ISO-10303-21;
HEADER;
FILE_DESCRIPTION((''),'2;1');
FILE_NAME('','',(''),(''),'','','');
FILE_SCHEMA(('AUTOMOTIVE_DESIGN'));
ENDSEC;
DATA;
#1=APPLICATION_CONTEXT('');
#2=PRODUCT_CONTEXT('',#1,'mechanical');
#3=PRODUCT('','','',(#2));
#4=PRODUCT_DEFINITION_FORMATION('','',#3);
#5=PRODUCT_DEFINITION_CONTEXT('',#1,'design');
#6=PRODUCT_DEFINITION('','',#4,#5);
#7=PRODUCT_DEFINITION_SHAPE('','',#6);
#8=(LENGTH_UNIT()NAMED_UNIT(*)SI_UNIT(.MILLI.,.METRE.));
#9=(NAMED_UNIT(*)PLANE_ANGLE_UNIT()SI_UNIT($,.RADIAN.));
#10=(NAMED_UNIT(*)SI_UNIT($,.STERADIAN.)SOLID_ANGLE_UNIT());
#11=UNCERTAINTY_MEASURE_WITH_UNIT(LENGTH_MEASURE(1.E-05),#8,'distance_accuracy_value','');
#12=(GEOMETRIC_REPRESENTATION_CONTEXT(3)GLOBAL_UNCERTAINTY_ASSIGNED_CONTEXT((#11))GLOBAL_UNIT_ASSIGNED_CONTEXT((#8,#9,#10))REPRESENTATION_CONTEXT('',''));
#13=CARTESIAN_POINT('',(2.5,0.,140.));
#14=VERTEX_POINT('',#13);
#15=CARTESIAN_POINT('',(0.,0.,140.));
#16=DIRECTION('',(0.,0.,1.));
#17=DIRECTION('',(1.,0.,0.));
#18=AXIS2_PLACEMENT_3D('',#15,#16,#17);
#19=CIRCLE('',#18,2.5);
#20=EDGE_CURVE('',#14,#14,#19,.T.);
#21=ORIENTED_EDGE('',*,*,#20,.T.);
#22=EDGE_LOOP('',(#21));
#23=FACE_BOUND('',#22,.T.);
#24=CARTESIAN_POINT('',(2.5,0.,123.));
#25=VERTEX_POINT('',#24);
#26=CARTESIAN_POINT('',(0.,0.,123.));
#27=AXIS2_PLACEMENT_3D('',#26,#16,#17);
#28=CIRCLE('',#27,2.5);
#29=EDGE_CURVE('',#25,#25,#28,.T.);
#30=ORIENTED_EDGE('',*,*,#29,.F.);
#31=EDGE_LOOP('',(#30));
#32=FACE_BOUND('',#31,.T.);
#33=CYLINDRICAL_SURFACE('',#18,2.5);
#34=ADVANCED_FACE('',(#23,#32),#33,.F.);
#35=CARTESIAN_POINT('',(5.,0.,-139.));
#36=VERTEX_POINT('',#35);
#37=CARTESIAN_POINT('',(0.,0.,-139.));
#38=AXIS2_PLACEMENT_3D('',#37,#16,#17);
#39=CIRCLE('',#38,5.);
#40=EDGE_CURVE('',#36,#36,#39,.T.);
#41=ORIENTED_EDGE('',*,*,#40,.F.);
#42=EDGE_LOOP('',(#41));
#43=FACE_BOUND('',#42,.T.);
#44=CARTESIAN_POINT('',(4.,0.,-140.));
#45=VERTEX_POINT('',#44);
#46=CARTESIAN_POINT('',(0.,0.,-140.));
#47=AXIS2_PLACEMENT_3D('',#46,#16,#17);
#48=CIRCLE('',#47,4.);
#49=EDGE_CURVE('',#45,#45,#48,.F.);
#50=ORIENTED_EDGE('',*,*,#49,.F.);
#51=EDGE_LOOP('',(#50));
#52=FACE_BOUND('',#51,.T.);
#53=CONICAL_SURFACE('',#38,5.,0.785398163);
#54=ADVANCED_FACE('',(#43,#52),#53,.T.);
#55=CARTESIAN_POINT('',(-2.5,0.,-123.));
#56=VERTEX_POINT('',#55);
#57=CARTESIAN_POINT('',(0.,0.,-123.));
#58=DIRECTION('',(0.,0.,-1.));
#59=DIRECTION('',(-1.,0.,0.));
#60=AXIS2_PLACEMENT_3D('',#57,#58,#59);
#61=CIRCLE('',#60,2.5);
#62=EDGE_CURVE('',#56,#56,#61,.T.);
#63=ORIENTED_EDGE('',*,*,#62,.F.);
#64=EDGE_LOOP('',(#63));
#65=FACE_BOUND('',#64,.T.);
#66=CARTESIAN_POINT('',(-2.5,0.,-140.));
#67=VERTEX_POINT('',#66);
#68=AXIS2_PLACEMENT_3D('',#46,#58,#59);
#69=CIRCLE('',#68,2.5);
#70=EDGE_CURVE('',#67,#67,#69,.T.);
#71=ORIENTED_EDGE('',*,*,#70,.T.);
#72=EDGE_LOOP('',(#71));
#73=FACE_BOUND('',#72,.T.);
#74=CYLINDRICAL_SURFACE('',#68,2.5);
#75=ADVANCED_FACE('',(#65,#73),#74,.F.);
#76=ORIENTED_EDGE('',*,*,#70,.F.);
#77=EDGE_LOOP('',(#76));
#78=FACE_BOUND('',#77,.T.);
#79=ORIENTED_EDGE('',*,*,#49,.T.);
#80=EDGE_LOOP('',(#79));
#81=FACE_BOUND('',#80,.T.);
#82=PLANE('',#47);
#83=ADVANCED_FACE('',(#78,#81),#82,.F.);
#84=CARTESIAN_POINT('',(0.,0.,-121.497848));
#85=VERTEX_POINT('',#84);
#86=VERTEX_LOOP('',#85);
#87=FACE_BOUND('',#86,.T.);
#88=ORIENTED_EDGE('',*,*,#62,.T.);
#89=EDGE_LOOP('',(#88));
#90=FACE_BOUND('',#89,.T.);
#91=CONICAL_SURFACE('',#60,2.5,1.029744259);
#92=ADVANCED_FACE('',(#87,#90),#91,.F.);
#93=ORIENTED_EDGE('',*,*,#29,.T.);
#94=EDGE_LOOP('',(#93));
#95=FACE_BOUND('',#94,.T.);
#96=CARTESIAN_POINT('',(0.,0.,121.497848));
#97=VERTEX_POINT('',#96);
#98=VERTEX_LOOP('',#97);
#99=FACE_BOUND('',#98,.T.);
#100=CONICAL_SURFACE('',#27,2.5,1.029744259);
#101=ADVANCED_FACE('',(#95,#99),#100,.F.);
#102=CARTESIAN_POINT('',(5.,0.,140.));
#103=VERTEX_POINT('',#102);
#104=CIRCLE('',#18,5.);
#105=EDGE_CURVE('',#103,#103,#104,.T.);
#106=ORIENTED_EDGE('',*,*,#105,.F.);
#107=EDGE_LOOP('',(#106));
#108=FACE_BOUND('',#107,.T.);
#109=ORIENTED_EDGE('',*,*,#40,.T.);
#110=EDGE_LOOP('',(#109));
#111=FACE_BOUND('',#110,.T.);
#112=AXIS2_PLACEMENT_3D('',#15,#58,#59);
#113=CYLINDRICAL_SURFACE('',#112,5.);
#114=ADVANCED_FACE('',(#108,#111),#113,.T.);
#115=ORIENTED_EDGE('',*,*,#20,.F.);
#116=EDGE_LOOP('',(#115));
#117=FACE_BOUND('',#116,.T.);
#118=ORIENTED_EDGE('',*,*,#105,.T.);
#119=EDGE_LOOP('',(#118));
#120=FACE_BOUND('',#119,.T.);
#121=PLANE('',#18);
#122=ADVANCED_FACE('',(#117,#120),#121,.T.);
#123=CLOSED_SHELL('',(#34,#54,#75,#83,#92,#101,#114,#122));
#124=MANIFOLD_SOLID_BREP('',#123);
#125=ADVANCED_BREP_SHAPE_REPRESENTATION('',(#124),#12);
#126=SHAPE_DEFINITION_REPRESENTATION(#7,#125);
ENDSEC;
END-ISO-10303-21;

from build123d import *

# Parameters (mm, degrees)
CROQUIS1_R                = 5
SALIENTE_EXTRUIR1_DEPTH   = 140
TALADRO_ROSCADO_M61_D     = 5
TALADRO_ROSCADO_M61_DEPTH = 17
TALADRO_ROSCADO_M61_TIP   = 1.502151548
TALADRO_ROSCADO_M62_D     = 5
TALADRO_ROSCADO_M62_DEPTH = 17
TALADRO_ROSCADO_M62_TIP   = 1.502151548
CHAFL_N1_SIZE             = 1


with BuildPart() as part:
    # Croquis1 → Saliente-Extruir1 (new, symmetric)
    with BuildSketch(Plane.XY):
        Circle(CROQUIS1_R)
    extrude(amount=SALIENTE_EXTRUIR1_DEPTH, both=True)

    # Taladro roscado M61
    with Locations(Plane.XY.offset(140)):
        with Locations((0, 0)):
            Hole(TALADRO_ROSCADO_M61_D / 2, depth=TALADRO_ROSCADO_M61_DEPTH)
            with Locations((0, 0, -(TALADRO_ROSCADO_M61_DEPTH + TALADRO_ROSCADO_M61_TIP / 2))):  # 118° drill point
                Cone(0, TALADRO_ROSCADO_M61_D / 2, TALADRO_ROSCADO_M61_TIP, mode=Mode.SUBTRACT)

    # Taladro roscado M62
    with Locations(Plane(origin=(0, 0, -140), x_dir=(-1, 0, 0), z_dir=(0, 0, -1))):
        with Locations((0, 0)):
            Hole(TALADRO_ROSCADO_M62_D / 2, depth=TALADRO_ROSCADO_M62_DEPTH)
            with Locations((0, 0, -(TALADRO_ROSCADO_M62_DEPTH + TALADRO_ROSCADO_M62_TIP / 2))):  # 118° drill point
                Cone(0, TALADRO_ROSCADO_M62_D / 2, TALADRO_ROSCADO_M62_TIP, mode=Mode.SUBTRACT)

    # Chaflán1
    chafl_n1_edges = [part.edges().sort_by_distance(p)[0] for p in [
        (-5, 0, -140),
    ]]
    chamfer(chafl_n1_edges, length=CHAFL_N1_SIZE)


solid = part.part
